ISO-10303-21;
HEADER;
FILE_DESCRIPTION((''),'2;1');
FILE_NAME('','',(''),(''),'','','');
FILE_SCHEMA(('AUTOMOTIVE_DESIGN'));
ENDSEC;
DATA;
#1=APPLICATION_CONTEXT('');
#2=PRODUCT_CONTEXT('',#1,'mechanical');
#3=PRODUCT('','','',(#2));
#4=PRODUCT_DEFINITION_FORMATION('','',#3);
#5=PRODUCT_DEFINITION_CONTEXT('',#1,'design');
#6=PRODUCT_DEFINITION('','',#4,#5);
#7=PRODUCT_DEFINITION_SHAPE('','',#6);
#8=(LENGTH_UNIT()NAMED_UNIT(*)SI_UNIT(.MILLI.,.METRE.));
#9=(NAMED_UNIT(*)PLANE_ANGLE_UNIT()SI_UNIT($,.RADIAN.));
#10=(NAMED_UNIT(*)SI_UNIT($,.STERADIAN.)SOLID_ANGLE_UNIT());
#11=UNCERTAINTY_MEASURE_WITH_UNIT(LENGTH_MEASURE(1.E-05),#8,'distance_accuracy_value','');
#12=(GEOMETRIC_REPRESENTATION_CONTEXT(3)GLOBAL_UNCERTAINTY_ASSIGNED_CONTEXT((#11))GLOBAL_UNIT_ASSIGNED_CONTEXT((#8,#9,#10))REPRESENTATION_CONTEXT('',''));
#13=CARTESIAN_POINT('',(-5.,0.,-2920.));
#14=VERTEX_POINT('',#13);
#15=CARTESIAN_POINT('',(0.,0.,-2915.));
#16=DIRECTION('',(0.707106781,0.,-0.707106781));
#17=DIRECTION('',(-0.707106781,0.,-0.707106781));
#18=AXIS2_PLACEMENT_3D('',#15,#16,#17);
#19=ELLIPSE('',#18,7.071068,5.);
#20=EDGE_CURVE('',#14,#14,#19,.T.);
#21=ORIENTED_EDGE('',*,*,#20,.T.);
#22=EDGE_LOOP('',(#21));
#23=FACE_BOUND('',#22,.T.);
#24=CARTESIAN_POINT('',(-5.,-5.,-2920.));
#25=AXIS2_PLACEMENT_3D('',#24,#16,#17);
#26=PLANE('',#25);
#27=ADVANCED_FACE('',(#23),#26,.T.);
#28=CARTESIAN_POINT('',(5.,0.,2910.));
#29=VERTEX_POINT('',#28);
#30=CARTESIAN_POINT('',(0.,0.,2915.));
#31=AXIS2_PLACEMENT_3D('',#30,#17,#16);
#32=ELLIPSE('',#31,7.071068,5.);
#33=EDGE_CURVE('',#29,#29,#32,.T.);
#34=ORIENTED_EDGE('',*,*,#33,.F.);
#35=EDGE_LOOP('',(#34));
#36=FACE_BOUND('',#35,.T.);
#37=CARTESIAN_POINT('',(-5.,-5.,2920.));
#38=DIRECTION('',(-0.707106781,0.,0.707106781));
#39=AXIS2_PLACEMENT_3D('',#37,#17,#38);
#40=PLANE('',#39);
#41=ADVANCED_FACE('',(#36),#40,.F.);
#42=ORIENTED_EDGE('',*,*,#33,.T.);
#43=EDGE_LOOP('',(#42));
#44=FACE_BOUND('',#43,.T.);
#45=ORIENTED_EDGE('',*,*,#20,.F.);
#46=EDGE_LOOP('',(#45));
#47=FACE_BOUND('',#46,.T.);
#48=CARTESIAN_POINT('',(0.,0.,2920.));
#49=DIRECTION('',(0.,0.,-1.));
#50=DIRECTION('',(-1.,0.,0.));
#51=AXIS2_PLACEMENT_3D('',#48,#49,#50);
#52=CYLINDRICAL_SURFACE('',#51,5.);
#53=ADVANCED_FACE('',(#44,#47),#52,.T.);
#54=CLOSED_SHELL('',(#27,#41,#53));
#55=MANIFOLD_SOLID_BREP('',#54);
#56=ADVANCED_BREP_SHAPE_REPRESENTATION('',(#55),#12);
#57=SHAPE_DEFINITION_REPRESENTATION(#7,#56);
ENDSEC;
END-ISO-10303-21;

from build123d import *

# Parameters (mm, degrees)
ESBO_O1_R                = 5
RESSALTO_EXTRUS_O1_DEPTH = 2920
CORTE_EXTRUS_O1_DEPTH    = 5


with BuildPart() as part:
    # Esboço1 → Ressalto-extrusão1 (new, symmetric)
    with BuildSketch(Plane.XY):
        with Locations(Location((0, 0, 0), (0, 0, 180))):
            Circle(ESBO_O1_R)
    extrude(amount=RESSALTO_EXTRUS_O1_DEPTH, both=True)

    # Esboço2 → Corte-extrusão1 (cut, symmetric)
    with BuildSketch(Plane(origin=(0, 0, 0), x_dir=(1, 0, 0), z_dir=(0, 1, 0))):
        Polygon((-5, -2920), (5, -2920), (5, -2910), align=None)
    corte_extrus_o1 = extrude(amount=CORTE_EXTRUS_O1_DEPTH, both=True, mode=Mode.SUBTRACT)

    # Espelhar1: Corte-extrusão1 across plane
    add(corte_extrus_o1.mirror(Plane.XY), mode=Mode.SUBTRACT)


solid = part.part
